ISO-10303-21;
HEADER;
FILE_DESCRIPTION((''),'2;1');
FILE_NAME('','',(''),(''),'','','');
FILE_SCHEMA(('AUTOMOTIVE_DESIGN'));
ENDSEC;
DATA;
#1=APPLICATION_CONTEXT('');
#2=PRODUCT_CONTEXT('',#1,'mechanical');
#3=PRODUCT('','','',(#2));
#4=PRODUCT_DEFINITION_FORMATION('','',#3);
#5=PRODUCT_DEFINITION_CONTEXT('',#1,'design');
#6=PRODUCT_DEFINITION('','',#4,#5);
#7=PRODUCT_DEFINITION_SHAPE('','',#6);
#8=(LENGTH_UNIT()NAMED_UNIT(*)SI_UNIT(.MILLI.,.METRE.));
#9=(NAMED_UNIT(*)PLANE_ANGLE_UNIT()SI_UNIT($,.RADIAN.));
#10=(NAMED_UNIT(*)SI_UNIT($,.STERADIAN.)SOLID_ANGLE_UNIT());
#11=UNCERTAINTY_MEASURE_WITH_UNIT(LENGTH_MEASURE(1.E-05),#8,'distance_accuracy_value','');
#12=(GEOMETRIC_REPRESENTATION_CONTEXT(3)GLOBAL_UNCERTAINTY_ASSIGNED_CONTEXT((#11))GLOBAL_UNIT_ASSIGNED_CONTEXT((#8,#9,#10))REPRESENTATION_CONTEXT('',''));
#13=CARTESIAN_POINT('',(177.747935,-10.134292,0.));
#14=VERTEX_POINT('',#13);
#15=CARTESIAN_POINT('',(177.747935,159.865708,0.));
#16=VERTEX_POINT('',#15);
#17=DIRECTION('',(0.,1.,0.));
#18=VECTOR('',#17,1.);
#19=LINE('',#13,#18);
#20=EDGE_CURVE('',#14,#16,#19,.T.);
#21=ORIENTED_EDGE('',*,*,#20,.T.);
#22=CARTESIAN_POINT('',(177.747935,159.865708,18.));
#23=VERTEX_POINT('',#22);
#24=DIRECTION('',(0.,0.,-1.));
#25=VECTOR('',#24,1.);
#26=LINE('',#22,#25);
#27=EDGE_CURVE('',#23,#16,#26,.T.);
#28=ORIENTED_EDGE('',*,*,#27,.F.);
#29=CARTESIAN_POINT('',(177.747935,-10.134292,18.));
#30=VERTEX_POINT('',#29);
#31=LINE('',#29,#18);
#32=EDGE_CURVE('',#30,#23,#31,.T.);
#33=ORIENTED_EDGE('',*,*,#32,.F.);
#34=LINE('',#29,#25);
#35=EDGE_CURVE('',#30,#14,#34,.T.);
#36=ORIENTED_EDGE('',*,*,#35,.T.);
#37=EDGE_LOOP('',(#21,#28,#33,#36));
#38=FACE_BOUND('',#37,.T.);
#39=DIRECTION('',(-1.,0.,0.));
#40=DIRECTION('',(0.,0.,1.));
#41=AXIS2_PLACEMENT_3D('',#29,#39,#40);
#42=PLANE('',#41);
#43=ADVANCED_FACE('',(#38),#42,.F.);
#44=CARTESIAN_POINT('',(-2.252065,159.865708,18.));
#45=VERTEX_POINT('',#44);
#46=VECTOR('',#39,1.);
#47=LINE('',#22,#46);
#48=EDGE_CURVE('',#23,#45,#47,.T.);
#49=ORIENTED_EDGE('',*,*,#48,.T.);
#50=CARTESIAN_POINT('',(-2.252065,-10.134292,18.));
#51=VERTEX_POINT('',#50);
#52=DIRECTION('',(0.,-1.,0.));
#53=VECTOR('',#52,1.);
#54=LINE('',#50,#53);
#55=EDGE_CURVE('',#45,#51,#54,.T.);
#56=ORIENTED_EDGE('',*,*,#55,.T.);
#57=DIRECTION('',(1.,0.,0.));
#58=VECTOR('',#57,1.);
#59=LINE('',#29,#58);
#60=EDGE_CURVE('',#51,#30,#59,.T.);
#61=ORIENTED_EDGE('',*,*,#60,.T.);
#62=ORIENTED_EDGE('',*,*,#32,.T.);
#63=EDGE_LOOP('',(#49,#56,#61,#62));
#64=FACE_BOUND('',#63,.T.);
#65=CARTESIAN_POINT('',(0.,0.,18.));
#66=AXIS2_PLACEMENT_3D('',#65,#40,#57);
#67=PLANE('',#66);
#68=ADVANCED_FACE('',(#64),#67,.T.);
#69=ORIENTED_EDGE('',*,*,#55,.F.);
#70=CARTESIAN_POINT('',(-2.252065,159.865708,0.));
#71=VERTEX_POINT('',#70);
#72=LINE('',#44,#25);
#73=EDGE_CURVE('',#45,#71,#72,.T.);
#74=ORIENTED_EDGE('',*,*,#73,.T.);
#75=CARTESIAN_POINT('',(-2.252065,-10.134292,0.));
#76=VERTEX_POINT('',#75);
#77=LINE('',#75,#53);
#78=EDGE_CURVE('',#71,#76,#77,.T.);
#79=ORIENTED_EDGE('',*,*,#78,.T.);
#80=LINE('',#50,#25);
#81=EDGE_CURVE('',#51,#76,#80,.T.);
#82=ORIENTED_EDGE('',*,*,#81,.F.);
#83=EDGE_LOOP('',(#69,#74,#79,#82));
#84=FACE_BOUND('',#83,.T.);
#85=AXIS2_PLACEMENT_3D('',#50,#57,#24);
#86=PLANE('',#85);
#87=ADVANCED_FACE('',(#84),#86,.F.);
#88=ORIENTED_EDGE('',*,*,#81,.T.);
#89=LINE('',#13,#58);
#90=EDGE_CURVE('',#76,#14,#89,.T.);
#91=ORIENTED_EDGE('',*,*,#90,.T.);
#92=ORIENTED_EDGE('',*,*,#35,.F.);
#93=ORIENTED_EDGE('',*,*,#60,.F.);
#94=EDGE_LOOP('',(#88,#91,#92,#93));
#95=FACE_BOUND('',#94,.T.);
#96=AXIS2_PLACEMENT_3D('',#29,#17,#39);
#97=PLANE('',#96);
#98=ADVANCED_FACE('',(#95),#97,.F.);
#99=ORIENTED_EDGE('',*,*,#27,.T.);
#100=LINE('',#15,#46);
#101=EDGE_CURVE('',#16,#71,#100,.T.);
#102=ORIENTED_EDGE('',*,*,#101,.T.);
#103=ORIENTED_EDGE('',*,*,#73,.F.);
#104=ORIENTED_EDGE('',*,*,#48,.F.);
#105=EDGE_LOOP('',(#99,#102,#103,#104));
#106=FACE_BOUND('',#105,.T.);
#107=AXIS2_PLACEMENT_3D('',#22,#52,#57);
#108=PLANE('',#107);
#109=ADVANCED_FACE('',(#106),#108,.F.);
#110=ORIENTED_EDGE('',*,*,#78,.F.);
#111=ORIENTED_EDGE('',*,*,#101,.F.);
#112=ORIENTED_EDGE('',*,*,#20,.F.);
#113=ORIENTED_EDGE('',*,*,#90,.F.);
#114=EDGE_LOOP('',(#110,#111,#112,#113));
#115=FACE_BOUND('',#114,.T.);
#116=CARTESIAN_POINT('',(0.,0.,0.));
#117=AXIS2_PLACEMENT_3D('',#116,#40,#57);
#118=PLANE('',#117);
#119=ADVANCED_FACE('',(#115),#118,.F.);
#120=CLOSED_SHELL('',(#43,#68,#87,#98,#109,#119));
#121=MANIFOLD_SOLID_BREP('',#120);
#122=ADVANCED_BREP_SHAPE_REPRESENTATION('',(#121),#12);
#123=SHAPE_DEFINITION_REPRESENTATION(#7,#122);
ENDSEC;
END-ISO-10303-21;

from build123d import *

# Parameters (mm, degrees)
SKETCH_1_W      = 180
SKETCH_1_H      = 170
EXTRUDE_1_DEPTH = 18


with BuildPart() as part:
    # Эскиз1 → Бобышка-Вытянуть1 (new body)
    with BuildSketch(Plane.XY):
        with Locations((87.747935181, 74.865708313)):
            Rectangle(SKETCH_1_W, SKETCH_1_H)
    extrude(amount=EXTRUDE_1_DEPTH)


solid = part.part
